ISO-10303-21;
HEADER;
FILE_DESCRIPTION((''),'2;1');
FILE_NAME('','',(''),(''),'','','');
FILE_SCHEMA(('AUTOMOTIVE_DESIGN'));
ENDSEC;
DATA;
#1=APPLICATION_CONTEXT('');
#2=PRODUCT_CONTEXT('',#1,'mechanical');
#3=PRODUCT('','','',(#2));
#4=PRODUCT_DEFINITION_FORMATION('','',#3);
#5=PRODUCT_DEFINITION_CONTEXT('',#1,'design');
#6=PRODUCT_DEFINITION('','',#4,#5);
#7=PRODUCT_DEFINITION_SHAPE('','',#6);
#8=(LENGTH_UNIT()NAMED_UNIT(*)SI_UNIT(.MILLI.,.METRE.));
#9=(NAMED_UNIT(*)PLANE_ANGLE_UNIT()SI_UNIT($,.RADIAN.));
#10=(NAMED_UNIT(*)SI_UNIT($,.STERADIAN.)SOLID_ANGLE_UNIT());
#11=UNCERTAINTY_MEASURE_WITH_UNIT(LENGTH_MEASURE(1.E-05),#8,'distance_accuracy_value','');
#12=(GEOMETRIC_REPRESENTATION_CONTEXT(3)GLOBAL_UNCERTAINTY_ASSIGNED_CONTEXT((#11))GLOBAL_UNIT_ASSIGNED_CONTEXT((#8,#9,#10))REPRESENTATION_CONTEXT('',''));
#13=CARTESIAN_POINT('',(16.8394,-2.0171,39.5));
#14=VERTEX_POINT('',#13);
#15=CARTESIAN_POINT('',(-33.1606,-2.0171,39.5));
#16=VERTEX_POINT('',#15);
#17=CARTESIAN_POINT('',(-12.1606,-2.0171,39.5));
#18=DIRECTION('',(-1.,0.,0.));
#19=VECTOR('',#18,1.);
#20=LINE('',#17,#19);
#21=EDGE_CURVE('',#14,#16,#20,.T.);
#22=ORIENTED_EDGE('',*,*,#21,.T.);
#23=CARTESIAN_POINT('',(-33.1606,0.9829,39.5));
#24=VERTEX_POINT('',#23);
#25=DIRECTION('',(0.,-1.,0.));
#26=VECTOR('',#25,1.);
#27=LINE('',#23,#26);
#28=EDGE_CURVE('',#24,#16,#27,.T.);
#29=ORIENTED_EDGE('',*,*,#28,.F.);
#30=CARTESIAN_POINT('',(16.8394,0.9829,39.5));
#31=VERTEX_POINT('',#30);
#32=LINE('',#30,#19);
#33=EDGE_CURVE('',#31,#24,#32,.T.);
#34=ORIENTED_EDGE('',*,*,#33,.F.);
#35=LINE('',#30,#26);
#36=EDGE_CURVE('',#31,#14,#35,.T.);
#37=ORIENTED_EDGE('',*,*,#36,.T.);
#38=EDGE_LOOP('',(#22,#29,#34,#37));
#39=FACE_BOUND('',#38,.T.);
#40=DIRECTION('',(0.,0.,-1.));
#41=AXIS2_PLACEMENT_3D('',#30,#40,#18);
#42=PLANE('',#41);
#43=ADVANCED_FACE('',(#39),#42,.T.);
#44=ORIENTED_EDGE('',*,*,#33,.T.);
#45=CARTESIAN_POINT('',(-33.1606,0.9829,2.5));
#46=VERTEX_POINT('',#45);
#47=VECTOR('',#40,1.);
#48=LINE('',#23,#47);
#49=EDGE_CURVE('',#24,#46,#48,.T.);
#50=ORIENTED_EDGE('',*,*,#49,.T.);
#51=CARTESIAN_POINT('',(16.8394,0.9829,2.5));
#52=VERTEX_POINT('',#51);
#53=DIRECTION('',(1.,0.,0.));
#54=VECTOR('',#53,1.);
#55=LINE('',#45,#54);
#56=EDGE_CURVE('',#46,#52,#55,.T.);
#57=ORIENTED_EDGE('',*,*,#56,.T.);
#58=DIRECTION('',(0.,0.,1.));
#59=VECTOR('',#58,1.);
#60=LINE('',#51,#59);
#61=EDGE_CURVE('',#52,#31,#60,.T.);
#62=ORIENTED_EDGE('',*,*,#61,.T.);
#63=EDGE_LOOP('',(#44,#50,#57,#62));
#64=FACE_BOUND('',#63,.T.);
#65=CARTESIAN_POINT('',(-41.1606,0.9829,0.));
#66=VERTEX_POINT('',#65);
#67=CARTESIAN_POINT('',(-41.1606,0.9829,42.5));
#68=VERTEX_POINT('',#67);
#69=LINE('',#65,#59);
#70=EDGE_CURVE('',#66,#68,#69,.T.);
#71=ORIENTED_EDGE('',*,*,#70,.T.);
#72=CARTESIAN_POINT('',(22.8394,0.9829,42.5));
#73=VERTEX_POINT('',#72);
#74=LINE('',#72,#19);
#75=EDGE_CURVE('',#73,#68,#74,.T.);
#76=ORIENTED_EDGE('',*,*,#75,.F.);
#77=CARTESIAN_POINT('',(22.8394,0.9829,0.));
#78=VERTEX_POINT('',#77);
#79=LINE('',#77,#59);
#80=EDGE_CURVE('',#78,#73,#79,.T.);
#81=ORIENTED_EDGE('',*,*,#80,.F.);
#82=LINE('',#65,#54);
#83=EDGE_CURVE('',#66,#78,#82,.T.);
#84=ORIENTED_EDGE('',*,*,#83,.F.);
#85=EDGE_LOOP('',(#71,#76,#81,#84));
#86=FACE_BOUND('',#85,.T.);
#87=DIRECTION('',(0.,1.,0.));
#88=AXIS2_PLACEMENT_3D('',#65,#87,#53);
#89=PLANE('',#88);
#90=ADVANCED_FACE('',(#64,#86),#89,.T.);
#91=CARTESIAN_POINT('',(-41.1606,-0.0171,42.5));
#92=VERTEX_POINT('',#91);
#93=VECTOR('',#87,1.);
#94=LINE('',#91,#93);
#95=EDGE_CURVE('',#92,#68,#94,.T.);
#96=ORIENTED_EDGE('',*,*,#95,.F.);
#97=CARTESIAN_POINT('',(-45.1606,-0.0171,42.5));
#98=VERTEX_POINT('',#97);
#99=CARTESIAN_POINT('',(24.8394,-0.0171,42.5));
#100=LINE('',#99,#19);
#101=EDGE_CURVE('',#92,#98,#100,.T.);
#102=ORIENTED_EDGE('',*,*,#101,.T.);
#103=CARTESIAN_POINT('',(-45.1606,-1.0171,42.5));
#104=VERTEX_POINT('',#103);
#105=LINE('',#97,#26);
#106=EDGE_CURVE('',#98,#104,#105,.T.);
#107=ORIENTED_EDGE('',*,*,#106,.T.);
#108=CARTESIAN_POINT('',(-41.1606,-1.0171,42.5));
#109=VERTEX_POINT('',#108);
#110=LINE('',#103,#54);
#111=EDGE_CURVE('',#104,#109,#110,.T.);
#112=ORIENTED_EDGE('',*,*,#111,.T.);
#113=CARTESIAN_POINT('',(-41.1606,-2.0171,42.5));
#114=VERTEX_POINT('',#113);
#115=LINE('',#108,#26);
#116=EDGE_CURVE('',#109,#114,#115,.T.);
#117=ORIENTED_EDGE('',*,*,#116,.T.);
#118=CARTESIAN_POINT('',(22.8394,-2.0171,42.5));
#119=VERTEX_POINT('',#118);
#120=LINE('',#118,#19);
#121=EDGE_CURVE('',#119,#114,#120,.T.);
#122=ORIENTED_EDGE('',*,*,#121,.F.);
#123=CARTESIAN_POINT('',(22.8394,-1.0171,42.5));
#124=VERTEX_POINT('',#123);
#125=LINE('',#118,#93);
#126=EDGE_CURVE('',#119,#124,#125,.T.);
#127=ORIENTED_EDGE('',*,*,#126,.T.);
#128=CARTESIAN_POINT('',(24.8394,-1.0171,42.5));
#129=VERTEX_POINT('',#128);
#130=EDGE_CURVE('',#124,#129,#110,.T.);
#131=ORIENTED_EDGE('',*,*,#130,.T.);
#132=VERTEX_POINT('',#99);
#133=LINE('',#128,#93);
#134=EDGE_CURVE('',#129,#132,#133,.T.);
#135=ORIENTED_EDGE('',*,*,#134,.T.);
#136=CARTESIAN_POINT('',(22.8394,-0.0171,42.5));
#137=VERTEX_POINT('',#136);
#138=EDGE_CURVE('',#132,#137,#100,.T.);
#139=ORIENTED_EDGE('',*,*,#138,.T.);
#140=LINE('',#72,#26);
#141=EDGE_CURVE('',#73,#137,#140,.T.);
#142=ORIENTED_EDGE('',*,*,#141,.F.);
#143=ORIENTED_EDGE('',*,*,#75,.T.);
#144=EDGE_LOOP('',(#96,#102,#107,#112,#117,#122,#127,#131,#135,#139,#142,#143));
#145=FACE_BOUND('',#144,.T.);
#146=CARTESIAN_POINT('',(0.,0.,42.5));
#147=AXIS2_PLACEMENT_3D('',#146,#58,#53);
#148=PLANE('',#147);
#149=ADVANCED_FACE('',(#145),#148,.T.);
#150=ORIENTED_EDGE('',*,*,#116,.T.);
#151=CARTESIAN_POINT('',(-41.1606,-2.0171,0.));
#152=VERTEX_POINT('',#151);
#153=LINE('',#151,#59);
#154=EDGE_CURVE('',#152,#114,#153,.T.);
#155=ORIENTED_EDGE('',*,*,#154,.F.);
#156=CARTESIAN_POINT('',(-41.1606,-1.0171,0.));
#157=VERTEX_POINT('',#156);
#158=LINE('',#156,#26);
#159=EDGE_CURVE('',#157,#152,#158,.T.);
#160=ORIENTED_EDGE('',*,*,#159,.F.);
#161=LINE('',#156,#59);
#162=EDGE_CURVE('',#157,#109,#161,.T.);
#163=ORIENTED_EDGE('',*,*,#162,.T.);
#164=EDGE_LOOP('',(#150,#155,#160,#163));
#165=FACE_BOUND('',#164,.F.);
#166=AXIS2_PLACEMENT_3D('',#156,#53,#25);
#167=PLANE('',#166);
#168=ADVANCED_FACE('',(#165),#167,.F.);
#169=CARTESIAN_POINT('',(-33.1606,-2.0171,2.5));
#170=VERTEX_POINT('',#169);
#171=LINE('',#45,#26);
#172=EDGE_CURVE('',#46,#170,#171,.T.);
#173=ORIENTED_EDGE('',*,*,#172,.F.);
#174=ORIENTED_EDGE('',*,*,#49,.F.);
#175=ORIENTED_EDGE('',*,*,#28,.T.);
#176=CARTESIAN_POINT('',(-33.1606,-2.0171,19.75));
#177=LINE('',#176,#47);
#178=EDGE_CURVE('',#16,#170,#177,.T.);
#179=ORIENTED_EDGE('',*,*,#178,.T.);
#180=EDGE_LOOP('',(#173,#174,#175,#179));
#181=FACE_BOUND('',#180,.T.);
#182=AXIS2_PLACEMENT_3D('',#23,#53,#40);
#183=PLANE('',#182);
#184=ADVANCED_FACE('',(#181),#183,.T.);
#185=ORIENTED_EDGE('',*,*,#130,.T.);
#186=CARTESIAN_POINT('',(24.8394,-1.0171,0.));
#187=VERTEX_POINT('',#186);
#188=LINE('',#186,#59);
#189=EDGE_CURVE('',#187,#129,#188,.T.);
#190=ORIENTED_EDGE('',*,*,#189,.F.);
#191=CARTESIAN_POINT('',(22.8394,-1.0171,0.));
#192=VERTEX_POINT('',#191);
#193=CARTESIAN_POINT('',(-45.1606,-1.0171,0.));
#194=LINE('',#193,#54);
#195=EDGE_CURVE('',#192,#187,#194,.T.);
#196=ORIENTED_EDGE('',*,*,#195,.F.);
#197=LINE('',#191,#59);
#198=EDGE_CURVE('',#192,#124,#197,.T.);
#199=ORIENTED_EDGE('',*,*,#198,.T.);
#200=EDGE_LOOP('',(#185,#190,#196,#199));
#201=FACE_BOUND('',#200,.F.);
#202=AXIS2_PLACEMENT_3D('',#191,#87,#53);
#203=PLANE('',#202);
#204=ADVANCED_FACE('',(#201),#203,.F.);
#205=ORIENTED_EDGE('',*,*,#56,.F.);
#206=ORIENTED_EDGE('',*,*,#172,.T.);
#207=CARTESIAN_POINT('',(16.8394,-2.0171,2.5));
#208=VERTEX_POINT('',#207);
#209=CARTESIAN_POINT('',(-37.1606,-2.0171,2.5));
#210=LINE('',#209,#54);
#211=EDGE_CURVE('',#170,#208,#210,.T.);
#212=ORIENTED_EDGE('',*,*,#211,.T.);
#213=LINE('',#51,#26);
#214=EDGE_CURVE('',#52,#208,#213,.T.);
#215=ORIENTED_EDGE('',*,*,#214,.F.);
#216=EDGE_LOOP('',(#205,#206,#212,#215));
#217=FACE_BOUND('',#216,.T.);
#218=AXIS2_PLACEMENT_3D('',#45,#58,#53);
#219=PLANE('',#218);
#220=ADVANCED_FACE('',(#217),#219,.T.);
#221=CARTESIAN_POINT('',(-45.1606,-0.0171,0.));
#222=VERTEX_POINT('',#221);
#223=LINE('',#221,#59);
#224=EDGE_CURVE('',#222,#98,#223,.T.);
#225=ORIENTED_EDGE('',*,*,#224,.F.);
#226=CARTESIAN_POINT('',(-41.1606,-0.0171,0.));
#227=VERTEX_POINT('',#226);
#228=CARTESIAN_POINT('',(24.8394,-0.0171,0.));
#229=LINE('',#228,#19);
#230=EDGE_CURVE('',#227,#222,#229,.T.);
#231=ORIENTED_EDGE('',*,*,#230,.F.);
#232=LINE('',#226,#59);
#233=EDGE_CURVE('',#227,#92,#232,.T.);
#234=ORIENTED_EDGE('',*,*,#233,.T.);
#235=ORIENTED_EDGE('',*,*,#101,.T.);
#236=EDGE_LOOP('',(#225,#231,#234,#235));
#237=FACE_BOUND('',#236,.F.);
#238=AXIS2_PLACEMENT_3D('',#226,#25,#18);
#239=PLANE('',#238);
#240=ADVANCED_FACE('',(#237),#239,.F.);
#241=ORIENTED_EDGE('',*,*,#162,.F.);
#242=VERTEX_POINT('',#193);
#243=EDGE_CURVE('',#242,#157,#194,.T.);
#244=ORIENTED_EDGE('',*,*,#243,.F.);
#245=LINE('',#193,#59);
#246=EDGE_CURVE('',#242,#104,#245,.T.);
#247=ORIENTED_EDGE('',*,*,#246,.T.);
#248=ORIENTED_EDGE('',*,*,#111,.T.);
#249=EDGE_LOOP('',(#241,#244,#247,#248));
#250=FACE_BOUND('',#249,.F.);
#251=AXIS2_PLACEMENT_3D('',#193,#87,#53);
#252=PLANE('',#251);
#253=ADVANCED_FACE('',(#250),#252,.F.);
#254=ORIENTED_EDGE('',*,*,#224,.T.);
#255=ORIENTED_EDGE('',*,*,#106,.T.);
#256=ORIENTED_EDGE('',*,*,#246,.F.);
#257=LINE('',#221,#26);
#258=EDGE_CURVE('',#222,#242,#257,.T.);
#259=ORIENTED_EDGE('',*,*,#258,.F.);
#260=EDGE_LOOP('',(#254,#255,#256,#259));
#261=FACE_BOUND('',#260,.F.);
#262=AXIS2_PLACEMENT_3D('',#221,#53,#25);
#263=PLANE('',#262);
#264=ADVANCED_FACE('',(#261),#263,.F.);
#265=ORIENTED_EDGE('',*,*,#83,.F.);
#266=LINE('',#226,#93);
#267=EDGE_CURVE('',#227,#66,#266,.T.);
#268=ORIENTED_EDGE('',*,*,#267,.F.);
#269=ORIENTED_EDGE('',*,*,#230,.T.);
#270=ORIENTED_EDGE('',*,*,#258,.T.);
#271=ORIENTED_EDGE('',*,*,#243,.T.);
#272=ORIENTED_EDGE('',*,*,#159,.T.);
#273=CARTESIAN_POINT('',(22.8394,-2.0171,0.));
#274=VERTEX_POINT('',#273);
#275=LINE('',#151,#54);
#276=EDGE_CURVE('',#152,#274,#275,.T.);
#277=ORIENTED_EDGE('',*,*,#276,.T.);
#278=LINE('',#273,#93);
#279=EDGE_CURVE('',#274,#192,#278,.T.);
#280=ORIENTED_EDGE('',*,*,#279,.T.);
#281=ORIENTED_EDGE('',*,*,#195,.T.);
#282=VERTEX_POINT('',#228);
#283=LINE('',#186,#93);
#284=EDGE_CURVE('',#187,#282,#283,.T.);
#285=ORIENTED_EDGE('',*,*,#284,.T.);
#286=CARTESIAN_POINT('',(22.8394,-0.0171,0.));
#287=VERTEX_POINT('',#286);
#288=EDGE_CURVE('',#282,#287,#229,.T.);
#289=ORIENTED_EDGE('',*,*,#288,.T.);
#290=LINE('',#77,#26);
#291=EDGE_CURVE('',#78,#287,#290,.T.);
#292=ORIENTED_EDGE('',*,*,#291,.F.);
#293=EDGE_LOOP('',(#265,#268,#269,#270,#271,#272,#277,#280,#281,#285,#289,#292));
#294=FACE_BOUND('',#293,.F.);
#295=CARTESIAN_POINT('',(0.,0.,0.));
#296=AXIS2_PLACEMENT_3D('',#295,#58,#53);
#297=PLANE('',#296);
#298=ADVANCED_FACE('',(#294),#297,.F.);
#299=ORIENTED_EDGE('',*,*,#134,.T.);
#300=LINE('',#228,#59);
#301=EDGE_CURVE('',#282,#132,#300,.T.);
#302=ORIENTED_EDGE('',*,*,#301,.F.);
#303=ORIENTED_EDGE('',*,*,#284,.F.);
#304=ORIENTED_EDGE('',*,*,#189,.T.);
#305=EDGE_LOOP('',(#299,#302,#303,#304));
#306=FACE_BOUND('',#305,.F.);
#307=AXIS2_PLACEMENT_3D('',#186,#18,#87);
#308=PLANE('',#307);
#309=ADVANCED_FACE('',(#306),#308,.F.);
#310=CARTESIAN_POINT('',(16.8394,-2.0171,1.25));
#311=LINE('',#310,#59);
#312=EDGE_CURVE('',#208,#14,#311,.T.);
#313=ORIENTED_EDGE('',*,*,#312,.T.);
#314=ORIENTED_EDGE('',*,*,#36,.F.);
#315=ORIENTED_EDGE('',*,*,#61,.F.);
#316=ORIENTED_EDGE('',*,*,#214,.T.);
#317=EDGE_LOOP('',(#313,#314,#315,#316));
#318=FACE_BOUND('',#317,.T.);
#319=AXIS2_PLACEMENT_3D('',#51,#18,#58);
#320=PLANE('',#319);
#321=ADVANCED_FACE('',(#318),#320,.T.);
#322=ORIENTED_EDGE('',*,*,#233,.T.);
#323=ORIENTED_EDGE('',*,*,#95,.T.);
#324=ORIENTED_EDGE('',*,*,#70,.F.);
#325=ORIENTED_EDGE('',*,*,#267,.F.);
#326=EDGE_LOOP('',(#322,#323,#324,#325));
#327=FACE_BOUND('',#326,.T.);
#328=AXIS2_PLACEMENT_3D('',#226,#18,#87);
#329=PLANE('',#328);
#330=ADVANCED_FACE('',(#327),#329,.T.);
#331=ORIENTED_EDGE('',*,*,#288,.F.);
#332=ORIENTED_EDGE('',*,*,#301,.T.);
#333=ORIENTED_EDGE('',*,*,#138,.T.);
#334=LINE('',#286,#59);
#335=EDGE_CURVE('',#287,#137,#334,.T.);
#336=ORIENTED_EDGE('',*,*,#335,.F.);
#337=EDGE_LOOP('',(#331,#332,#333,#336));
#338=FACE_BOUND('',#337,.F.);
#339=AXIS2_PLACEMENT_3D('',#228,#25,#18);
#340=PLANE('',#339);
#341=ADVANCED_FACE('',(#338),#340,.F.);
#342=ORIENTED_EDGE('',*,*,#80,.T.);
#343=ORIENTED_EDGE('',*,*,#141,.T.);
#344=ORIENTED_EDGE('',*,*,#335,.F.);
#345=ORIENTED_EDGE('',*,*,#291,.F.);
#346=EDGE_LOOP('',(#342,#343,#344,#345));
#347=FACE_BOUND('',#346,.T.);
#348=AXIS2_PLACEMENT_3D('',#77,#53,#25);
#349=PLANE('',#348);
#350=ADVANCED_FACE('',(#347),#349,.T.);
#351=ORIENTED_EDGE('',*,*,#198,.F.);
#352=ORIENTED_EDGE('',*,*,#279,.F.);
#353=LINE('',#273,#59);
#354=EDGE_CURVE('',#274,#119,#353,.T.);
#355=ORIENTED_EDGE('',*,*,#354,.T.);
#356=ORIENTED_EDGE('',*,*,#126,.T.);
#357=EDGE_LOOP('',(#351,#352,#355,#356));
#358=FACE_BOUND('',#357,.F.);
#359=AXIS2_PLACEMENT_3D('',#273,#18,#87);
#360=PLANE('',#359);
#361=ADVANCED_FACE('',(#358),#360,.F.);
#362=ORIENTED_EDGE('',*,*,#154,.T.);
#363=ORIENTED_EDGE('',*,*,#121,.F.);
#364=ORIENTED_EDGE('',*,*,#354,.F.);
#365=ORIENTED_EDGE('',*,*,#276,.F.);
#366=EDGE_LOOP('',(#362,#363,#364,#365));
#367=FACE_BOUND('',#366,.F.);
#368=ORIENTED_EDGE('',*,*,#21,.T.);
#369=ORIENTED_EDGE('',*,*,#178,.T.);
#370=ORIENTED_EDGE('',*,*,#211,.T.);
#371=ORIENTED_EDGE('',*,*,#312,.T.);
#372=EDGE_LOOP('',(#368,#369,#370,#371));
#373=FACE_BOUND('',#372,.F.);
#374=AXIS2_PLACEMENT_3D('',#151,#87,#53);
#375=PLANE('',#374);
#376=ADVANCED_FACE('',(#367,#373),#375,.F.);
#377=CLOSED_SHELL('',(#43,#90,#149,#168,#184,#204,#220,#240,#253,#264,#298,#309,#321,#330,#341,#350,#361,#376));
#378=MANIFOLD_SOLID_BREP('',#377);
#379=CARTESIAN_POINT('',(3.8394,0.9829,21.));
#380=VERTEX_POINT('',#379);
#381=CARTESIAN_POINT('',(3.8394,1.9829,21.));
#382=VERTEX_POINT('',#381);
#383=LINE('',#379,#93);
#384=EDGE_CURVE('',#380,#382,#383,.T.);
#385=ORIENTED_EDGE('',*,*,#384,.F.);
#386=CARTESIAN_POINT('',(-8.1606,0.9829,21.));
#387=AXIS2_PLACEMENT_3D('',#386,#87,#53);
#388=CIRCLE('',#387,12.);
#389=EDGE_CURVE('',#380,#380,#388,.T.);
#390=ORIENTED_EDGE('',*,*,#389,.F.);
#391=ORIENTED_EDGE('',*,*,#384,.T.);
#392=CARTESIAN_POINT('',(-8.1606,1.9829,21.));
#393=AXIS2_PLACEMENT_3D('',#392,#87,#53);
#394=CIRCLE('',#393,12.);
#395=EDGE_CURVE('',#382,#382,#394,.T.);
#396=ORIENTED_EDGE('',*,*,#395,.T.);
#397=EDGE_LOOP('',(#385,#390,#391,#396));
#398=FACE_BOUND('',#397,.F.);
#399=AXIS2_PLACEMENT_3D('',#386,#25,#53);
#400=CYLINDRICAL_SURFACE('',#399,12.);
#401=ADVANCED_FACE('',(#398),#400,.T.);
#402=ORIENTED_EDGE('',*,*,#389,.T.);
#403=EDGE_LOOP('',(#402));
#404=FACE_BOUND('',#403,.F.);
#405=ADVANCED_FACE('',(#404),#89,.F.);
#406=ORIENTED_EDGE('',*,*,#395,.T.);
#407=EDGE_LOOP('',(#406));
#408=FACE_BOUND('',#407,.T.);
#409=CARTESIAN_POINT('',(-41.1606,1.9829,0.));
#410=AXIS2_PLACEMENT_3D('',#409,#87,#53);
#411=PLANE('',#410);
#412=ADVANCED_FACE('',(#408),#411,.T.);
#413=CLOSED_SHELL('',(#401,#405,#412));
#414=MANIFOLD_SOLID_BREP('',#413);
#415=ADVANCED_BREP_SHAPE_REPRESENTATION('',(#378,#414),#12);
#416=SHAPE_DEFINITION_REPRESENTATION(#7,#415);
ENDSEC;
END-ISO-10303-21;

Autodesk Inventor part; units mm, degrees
ref_plane "YZ Plane" through (0, 0, 0) normal (1, 0, 0) x (0, 1, 0)
ref_plane "XZ Plane" through (0, 0, 0) normal (0, 1, 0) x (-1, 0, 0)
ref_plane "XY Plane" through (0, 0, 0) normal (0, 0, 1) x (1, 0, 0)
sketch "Skizze1" plane through (0, 0, 0) normal (0, 0, 1) x (1, 0, 0)
  circle A0 centre (-20.2101, 34.0775) radius 3.5 projected
  circle A1 centre (16.2899, -67.9225) radius 3.5 projected
  circle A2 centre (27.7899, 31.0775) radius 1.5 projected
  circle A3 centre (-1.7101, -51.9225) radius 1.5 projected
  line L0 (-11.7101, -72.9225) -> (30.2899, -72.9225) projected
  line L1 (30.2899, -72.9225) -> (30.2899, 68.0775) projected
  line L2 (30.2899, 68.0775) -> (-32.7101, 68.0775) projected
  line L3 (-32.7101, 68.0775) -> (-32.7101, -51.9225) projected
  line L4 (-32.7101, -51.9225) -> (-11.7101, -72.9225) projected
  line L5 (24.8394, -0.0171) -> (-45.1606, -0.0171)
  line L6 (-45.1606, -0.0171) -> (-45.1606, -1.0171)
  line L7 (-45.1606, -1.0171) -> (24.8394, -1.0171)
  line L8 (24.8394, -1.0171) -> (24.8394, -0.0171)
  line L9 (22.8394, -1.0171) -> (-41.1606, -1.0171)
  line L10 (-41.1606, -1.0171) -> (-41.1606, -2.0171)
  line L11 (-41.1606, -2.0171) -> (22.8394, -2.0171)
  line L12 (22.8394, -2.0171) -> (22.8394, -1.0171)
  line L13 (22.8394, -0.0171) -> (-41.1606, -0.0171)
  line L14 (-41.1606, -0.0171) -> (-41.1606, 0.9829)
  line L15 (-41.1606, 0.9829) -> (22.8394, 0.9829)
  line L16 (22.8394, 0.9829) -> (22.8394, -0.0171)
  point P0 (0, 0)
  dimension "d0" = 70
  dimension "d1" = 1
  dimension "d2" = 64
  dimension "d3" = 1
  dimension "d4" = 2
  dimension "d5" = 1
extrude "Extrusion1" add sketch "Skizze1" along normal blind 42.5 contours L11 L10 L7 L3 | L3 L7 L12 L11 | L7 L6 L5 L3 | L3 L5 L8 L7 | L15 L16 L5 L3 | L3 L5 L14 L15
sketch "Skizze2" plane through (-41.1606, 0.9829, 0) normal (0, 1, 0) x (1, 0, 0)
  line L0 (64, 0) -> (0, 0) projected
  line L1 (0, 0) -> (0, -42.5) projected
  line L2 (64, -42.5) -> (0, -42.5) projected
  line L3 (64, 0) -> (64, -42.5) projected
  line L4 (58, -39.5) -> (8, -39.5)
  line L5 (8, -39.5) -> (8, -2.5)
  line L6 (8, -2.5) -> (58, -2.5)
  line L7 (58, -2.5) -> (58, -39.5)
  point P0 (41.1606, 0)
  dimension "d8" = 50
  dimension "d9" = 37
  dimension "d10" = 3
  dimension "d11" = 6
extrude "Extrusion2" cut sketch "Skizze2" against normal through all contours L4 L5 L6 L7
ref_plane "Arbeitsebene1" through (-8.1606, 0.9829, 2.5) normal (-1, 0, 0) x (0, 0, 1)
ref_plane "Arbeitsebene2" through (-33.1606, 0.9829, 21) normal (0, 0, 1) x (1, 0, 0)
sketch "Skizze5" plane through (-41.1606, 0.9829, 0) normal (0, 1, 0) x (1, 0, 0)
  line L0 (58, -2.5) -> (58, -39.5) construction
  line L1 (58, -39.5) -> (8, -39.5) construction
  line L2 (8, -39.5) -> (8, -2.5) construction
  line L3 (8, -2.5) -> (58, -2.5) construction
  line L4 (64, 0) -> (0, 0) construction
  line L5 (0, 0) -> (0, -42.5) construction
  line L6 (64, -42.5) -> (0, -42.5) construction
  line L7 (64, 0) -> (64, -42.5) construction
  circle A0 centre (39.5, -21) radius 18.5 construction
  circle A1 centre (26.5, -21) radius 18.5 construction
  ellipse E0 centre (33, -21) end of major axis (58, -21) minor radius 18.5 construction
  circle A2 centre (33, -21) radius 12
  point P0 (41.1606, 0)
extrude "Extrusion3" add sketch "Skizze5" along normal blind 1
properties part number "03_LCD_Frame"
